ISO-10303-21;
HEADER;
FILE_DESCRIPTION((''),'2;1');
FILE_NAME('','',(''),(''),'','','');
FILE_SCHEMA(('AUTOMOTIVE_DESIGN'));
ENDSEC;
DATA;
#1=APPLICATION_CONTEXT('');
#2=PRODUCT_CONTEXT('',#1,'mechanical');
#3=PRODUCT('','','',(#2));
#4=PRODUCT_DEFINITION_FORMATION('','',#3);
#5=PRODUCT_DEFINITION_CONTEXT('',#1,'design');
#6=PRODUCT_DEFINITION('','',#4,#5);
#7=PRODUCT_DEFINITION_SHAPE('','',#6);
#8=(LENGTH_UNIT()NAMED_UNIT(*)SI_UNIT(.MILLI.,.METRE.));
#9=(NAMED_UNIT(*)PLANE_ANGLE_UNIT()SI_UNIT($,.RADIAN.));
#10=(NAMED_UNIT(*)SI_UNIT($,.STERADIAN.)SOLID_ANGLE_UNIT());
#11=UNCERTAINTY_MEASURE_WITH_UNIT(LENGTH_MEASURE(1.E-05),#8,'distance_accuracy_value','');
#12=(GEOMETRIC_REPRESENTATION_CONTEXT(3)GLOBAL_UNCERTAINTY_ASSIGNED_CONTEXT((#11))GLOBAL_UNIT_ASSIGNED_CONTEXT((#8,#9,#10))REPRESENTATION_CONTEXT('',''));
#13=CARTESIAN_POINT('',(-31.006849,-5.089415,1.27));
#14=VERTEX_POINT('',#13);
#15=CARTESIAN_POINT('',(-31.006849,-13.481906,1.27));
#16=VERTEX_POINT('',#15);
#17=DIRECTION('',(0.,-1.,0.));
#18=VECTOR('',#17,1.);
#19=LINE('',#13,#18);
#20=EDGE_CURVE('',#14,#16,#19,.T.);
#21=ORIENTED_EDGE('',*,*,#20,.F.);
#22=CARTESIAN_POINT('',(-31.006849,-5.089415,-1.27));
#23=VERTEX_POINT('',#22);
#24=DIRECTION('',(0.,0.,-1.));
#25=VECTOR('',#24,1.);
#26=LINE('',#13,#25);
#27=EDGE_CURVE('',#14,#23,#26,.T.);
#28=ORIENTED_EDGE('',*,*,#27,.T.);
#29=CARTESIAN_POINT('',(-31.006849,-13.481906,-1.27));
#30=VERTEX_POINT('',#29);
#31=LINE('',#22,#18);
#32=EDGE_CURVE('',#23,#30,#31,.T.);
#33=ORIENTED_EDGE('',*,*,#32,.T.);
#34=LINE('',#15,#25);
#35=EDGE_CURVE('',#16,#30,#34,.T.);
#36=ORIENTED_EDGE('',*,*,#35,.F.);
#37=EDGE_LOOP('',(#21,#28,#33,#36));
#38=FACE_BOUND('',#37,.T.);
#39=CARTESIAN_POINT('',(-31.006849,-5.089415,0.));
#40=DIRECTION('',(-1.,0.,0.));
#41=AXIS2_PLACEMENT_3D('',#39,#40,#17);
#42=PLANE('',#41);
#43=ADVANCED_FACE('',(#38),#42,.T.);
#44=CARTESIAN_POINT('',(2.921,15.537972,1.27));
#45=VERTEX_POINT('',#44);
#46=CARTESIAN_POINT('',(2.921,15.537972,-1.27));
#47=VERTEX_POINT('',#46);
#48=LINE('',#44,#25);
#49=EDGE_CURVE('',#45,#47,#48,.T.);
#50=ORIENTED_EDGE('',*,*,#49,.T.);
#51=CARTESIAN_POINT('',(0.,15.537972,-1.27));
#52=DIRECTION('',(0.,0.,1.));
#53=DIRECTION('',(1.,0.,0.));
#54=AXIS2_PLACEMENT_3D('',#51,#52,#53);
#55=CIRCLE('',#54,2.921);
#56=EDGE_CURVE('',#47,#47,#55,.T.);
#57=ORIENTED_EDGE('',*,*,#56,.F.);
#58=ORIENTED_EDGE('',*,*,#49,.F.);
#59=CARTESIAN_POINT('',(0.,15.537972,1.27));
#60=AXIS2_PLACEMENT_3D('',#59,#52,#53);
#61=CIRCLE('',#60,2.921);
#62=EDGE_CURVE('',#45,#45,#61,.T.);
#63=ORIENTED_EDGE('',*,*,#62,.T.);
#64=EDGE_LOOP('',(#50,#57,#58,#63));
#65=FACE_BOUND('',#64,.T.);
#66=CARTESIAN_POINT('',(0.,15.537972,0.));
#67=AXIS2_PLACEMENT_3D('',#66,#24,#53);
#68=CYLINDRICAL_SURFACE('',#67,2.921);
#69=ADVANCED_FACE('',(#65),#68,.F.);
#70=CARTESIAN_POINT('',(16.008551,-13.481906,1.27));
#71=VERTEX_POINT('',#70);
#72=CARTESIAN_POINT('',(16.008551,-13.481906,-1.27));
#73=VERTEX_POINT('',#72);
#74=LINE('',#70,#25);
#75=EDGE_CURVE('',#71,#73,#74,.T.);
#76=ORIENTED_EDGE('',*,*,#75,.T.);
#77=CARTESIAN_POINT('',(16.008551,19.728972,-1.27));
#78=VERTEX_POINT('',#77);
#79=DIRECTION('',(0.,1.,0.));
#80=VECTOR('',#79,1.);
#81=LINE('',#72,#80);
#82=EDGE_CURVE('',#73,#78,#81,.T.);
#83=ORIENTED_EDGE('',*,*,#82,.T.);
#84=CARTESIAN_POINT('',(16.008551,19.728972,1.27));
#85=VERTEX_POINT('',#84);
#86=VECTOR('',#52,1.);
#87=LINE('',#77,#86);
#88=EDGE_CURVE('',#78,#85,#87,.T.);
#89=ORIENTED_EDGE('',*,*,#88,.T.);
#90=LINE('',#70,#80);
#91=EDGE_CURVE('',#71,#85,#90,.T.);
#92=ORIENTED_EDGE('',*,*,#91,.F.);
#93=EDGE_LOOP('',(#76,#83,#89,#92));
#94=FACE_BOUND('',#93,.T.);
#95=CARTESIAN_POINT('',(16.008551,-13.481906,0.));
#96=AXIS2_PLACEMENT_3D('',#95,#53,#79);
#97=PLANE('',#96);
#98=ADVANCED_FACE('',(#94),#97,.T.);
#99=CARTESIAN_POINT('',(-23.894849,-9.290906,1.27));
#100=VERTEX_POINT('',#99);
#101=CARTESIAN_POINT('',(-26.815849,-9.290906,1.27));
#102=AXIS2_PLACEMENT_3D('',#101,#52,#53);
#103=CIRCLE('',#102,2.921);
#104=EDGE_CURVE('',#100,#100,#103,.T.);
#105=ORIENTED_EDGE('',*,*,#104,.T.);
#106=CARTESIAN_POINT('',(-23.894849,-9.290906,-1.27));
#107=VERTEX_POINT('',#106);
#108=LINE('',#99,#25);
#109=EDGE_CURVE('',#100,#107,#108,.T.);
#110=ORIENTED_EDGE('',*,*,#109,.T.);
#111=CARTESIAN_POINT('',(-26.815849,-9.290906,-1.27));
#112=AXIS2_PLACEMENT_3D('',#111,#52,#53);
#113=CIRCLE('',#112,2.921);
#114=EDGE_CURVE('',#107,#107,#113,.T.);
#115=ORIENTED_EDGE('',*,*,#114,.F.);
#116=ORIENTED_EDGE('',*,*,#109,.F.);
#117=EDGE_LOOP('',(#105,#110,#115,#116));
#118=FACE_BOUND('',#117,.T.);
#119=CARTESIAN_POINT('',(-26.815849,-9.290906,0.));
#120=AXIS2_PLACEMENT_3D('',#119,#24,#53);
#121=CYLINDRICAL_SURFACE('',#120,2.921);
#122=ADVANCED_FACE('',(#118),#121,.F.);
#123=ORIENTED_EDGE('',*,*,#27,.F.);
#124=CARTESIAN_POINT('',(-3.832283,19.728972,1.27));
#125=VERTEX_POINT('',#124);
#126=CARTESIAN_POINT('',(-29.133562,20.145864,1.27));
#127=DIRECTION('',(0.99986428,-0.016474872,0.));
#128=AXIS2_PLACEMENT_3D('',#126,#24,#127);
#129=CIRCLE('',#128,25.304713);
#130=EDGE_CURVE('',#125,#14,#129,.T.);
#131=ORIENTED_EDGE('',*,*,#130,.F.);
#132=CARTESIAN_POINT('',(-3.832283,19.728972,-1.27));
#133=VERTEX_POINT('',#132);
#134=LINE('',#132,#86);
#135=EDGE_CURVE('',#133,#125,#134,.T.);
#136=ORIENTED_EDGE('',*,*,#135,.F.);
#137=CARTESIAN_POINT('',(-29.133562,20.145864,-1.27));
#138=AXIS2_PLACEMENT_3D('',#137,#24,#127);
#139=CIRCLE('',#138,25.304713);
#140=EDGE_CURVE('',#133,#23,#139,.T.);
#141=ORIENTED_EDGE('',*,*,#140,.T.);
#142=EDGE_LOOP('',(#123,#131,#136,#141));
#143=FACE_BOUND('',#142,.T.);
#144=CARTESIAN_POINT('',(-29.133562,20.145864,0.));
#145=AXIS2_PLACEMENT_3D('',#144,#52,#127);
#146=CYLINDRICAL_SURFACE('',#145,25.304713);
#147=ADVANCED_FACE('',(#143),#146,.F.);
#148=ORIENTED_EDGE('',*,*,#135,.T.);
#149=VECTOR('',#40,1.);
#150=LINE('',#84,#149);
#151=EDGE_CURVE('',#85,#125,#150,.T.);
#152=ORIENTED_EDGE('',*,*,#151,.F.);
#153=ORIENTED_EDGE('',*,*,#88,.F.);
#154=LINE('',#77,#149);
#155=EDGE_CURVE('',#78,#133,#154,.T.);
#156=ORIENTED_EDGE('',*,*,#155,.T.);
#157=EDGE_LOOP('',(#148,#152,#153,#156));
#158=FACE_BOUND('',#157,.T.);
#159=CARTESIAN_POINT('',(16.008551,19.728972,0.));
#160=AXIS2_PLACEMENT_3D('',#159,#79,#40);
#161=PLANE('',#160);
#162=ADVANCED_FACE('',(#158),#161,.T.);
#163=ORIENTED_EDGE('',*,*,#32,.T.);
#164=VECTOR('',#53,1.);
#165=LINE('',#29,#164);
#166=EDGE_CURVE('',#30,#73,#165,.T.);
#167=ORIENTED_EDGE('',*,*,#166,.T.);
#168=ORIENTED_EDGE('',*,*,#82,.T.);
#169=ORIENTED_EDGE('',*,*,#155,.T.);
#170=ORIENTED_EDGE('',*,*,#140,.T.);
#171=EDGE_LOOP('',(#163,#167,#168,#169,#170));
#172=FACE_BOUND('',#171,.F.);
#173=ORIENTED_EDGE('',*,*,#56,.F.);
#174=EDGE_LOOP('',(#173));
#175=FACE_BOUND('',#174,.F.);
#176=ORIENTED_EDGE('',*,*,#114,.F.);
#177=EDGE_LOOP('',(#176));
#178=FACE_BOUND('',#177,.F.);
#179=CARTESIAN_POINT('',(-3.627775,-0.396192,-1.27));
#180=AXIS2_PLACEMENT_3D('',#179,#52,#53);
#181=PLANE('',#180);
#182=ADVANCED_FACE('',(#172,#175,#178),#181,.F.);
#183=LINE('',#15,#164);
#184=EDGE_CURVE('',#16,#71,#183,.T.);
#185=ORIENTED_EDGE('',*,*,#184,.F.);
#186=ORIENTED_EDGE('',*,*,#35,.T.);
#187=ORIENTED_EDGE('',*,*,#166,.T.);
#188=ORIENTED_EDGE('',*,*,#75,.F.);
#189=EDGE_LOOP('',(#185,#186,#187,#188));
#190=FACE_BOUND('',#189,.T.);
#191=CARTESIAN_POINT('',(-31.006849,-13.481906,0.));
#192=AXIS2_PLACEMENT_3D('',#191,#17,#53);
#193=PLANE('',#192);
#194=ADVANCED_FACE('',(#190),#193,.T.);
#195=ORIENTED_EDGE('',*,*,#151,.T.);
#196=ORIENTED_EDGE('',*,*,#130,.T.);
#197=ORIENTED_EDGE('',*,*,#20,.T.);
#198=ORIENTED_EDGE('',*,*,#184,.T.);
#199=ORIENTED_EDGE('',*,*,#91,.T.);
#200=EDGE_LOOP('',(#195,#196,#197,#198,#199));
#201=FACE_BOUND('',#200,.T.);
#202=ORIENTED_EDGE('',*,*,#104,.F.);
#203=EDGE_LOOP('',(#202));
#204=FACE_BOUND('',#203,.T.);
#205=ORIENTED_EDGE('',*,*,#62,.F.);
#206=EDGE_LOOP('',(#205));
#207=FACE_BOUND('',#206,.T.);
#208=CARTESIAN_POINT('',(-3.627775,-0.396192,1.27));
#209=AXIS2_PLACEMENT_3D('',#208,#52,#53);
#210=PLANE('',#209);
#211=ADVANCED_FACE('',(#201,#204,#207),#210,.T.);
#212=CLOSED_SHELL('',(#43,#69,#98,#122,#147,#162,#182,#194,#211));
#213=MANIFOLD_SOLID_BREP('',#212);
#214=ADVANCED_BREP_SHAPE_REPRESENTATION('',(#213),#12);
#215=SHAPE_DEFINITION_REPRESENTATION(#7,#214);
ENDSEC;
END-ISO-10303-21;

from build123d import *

# Parameters (mm, degrees)
F0_R     = 2.921
F1_DEPTH = 1.27


with BuildPart() as f1:
    # F0 (on Top) → F1 (new body, symmetric)
    with BuildSketch(Plane.XY):
        with BuildLine():
            Line((16.008551, -13.481906), (16.008551, 19.728972))
            Line((16.008551, 19.728972), (-3.832283, 19.728972))
            ThreePointArc((-3.832283, 19.728972), (-12.068809, 1.461038), (-31.006849, -5.089415))
            Line((-31.006849, -5.089415), (-31.006849, -13.481906))
            Line((-31.006849, -13.481906), (16.008551, -13.481906))
        make_face()
        with Locations((-26.815849, -9.290906)):
            Circle(F0_R, mode=Mode.SUBTRACT)
        with Locations((0, 15.537972)):
            Circle(F0_R, mode=Mode.SUBTRACT)
    extrude(amount=F1_DEPTH, both=True)


solid = f1.part
